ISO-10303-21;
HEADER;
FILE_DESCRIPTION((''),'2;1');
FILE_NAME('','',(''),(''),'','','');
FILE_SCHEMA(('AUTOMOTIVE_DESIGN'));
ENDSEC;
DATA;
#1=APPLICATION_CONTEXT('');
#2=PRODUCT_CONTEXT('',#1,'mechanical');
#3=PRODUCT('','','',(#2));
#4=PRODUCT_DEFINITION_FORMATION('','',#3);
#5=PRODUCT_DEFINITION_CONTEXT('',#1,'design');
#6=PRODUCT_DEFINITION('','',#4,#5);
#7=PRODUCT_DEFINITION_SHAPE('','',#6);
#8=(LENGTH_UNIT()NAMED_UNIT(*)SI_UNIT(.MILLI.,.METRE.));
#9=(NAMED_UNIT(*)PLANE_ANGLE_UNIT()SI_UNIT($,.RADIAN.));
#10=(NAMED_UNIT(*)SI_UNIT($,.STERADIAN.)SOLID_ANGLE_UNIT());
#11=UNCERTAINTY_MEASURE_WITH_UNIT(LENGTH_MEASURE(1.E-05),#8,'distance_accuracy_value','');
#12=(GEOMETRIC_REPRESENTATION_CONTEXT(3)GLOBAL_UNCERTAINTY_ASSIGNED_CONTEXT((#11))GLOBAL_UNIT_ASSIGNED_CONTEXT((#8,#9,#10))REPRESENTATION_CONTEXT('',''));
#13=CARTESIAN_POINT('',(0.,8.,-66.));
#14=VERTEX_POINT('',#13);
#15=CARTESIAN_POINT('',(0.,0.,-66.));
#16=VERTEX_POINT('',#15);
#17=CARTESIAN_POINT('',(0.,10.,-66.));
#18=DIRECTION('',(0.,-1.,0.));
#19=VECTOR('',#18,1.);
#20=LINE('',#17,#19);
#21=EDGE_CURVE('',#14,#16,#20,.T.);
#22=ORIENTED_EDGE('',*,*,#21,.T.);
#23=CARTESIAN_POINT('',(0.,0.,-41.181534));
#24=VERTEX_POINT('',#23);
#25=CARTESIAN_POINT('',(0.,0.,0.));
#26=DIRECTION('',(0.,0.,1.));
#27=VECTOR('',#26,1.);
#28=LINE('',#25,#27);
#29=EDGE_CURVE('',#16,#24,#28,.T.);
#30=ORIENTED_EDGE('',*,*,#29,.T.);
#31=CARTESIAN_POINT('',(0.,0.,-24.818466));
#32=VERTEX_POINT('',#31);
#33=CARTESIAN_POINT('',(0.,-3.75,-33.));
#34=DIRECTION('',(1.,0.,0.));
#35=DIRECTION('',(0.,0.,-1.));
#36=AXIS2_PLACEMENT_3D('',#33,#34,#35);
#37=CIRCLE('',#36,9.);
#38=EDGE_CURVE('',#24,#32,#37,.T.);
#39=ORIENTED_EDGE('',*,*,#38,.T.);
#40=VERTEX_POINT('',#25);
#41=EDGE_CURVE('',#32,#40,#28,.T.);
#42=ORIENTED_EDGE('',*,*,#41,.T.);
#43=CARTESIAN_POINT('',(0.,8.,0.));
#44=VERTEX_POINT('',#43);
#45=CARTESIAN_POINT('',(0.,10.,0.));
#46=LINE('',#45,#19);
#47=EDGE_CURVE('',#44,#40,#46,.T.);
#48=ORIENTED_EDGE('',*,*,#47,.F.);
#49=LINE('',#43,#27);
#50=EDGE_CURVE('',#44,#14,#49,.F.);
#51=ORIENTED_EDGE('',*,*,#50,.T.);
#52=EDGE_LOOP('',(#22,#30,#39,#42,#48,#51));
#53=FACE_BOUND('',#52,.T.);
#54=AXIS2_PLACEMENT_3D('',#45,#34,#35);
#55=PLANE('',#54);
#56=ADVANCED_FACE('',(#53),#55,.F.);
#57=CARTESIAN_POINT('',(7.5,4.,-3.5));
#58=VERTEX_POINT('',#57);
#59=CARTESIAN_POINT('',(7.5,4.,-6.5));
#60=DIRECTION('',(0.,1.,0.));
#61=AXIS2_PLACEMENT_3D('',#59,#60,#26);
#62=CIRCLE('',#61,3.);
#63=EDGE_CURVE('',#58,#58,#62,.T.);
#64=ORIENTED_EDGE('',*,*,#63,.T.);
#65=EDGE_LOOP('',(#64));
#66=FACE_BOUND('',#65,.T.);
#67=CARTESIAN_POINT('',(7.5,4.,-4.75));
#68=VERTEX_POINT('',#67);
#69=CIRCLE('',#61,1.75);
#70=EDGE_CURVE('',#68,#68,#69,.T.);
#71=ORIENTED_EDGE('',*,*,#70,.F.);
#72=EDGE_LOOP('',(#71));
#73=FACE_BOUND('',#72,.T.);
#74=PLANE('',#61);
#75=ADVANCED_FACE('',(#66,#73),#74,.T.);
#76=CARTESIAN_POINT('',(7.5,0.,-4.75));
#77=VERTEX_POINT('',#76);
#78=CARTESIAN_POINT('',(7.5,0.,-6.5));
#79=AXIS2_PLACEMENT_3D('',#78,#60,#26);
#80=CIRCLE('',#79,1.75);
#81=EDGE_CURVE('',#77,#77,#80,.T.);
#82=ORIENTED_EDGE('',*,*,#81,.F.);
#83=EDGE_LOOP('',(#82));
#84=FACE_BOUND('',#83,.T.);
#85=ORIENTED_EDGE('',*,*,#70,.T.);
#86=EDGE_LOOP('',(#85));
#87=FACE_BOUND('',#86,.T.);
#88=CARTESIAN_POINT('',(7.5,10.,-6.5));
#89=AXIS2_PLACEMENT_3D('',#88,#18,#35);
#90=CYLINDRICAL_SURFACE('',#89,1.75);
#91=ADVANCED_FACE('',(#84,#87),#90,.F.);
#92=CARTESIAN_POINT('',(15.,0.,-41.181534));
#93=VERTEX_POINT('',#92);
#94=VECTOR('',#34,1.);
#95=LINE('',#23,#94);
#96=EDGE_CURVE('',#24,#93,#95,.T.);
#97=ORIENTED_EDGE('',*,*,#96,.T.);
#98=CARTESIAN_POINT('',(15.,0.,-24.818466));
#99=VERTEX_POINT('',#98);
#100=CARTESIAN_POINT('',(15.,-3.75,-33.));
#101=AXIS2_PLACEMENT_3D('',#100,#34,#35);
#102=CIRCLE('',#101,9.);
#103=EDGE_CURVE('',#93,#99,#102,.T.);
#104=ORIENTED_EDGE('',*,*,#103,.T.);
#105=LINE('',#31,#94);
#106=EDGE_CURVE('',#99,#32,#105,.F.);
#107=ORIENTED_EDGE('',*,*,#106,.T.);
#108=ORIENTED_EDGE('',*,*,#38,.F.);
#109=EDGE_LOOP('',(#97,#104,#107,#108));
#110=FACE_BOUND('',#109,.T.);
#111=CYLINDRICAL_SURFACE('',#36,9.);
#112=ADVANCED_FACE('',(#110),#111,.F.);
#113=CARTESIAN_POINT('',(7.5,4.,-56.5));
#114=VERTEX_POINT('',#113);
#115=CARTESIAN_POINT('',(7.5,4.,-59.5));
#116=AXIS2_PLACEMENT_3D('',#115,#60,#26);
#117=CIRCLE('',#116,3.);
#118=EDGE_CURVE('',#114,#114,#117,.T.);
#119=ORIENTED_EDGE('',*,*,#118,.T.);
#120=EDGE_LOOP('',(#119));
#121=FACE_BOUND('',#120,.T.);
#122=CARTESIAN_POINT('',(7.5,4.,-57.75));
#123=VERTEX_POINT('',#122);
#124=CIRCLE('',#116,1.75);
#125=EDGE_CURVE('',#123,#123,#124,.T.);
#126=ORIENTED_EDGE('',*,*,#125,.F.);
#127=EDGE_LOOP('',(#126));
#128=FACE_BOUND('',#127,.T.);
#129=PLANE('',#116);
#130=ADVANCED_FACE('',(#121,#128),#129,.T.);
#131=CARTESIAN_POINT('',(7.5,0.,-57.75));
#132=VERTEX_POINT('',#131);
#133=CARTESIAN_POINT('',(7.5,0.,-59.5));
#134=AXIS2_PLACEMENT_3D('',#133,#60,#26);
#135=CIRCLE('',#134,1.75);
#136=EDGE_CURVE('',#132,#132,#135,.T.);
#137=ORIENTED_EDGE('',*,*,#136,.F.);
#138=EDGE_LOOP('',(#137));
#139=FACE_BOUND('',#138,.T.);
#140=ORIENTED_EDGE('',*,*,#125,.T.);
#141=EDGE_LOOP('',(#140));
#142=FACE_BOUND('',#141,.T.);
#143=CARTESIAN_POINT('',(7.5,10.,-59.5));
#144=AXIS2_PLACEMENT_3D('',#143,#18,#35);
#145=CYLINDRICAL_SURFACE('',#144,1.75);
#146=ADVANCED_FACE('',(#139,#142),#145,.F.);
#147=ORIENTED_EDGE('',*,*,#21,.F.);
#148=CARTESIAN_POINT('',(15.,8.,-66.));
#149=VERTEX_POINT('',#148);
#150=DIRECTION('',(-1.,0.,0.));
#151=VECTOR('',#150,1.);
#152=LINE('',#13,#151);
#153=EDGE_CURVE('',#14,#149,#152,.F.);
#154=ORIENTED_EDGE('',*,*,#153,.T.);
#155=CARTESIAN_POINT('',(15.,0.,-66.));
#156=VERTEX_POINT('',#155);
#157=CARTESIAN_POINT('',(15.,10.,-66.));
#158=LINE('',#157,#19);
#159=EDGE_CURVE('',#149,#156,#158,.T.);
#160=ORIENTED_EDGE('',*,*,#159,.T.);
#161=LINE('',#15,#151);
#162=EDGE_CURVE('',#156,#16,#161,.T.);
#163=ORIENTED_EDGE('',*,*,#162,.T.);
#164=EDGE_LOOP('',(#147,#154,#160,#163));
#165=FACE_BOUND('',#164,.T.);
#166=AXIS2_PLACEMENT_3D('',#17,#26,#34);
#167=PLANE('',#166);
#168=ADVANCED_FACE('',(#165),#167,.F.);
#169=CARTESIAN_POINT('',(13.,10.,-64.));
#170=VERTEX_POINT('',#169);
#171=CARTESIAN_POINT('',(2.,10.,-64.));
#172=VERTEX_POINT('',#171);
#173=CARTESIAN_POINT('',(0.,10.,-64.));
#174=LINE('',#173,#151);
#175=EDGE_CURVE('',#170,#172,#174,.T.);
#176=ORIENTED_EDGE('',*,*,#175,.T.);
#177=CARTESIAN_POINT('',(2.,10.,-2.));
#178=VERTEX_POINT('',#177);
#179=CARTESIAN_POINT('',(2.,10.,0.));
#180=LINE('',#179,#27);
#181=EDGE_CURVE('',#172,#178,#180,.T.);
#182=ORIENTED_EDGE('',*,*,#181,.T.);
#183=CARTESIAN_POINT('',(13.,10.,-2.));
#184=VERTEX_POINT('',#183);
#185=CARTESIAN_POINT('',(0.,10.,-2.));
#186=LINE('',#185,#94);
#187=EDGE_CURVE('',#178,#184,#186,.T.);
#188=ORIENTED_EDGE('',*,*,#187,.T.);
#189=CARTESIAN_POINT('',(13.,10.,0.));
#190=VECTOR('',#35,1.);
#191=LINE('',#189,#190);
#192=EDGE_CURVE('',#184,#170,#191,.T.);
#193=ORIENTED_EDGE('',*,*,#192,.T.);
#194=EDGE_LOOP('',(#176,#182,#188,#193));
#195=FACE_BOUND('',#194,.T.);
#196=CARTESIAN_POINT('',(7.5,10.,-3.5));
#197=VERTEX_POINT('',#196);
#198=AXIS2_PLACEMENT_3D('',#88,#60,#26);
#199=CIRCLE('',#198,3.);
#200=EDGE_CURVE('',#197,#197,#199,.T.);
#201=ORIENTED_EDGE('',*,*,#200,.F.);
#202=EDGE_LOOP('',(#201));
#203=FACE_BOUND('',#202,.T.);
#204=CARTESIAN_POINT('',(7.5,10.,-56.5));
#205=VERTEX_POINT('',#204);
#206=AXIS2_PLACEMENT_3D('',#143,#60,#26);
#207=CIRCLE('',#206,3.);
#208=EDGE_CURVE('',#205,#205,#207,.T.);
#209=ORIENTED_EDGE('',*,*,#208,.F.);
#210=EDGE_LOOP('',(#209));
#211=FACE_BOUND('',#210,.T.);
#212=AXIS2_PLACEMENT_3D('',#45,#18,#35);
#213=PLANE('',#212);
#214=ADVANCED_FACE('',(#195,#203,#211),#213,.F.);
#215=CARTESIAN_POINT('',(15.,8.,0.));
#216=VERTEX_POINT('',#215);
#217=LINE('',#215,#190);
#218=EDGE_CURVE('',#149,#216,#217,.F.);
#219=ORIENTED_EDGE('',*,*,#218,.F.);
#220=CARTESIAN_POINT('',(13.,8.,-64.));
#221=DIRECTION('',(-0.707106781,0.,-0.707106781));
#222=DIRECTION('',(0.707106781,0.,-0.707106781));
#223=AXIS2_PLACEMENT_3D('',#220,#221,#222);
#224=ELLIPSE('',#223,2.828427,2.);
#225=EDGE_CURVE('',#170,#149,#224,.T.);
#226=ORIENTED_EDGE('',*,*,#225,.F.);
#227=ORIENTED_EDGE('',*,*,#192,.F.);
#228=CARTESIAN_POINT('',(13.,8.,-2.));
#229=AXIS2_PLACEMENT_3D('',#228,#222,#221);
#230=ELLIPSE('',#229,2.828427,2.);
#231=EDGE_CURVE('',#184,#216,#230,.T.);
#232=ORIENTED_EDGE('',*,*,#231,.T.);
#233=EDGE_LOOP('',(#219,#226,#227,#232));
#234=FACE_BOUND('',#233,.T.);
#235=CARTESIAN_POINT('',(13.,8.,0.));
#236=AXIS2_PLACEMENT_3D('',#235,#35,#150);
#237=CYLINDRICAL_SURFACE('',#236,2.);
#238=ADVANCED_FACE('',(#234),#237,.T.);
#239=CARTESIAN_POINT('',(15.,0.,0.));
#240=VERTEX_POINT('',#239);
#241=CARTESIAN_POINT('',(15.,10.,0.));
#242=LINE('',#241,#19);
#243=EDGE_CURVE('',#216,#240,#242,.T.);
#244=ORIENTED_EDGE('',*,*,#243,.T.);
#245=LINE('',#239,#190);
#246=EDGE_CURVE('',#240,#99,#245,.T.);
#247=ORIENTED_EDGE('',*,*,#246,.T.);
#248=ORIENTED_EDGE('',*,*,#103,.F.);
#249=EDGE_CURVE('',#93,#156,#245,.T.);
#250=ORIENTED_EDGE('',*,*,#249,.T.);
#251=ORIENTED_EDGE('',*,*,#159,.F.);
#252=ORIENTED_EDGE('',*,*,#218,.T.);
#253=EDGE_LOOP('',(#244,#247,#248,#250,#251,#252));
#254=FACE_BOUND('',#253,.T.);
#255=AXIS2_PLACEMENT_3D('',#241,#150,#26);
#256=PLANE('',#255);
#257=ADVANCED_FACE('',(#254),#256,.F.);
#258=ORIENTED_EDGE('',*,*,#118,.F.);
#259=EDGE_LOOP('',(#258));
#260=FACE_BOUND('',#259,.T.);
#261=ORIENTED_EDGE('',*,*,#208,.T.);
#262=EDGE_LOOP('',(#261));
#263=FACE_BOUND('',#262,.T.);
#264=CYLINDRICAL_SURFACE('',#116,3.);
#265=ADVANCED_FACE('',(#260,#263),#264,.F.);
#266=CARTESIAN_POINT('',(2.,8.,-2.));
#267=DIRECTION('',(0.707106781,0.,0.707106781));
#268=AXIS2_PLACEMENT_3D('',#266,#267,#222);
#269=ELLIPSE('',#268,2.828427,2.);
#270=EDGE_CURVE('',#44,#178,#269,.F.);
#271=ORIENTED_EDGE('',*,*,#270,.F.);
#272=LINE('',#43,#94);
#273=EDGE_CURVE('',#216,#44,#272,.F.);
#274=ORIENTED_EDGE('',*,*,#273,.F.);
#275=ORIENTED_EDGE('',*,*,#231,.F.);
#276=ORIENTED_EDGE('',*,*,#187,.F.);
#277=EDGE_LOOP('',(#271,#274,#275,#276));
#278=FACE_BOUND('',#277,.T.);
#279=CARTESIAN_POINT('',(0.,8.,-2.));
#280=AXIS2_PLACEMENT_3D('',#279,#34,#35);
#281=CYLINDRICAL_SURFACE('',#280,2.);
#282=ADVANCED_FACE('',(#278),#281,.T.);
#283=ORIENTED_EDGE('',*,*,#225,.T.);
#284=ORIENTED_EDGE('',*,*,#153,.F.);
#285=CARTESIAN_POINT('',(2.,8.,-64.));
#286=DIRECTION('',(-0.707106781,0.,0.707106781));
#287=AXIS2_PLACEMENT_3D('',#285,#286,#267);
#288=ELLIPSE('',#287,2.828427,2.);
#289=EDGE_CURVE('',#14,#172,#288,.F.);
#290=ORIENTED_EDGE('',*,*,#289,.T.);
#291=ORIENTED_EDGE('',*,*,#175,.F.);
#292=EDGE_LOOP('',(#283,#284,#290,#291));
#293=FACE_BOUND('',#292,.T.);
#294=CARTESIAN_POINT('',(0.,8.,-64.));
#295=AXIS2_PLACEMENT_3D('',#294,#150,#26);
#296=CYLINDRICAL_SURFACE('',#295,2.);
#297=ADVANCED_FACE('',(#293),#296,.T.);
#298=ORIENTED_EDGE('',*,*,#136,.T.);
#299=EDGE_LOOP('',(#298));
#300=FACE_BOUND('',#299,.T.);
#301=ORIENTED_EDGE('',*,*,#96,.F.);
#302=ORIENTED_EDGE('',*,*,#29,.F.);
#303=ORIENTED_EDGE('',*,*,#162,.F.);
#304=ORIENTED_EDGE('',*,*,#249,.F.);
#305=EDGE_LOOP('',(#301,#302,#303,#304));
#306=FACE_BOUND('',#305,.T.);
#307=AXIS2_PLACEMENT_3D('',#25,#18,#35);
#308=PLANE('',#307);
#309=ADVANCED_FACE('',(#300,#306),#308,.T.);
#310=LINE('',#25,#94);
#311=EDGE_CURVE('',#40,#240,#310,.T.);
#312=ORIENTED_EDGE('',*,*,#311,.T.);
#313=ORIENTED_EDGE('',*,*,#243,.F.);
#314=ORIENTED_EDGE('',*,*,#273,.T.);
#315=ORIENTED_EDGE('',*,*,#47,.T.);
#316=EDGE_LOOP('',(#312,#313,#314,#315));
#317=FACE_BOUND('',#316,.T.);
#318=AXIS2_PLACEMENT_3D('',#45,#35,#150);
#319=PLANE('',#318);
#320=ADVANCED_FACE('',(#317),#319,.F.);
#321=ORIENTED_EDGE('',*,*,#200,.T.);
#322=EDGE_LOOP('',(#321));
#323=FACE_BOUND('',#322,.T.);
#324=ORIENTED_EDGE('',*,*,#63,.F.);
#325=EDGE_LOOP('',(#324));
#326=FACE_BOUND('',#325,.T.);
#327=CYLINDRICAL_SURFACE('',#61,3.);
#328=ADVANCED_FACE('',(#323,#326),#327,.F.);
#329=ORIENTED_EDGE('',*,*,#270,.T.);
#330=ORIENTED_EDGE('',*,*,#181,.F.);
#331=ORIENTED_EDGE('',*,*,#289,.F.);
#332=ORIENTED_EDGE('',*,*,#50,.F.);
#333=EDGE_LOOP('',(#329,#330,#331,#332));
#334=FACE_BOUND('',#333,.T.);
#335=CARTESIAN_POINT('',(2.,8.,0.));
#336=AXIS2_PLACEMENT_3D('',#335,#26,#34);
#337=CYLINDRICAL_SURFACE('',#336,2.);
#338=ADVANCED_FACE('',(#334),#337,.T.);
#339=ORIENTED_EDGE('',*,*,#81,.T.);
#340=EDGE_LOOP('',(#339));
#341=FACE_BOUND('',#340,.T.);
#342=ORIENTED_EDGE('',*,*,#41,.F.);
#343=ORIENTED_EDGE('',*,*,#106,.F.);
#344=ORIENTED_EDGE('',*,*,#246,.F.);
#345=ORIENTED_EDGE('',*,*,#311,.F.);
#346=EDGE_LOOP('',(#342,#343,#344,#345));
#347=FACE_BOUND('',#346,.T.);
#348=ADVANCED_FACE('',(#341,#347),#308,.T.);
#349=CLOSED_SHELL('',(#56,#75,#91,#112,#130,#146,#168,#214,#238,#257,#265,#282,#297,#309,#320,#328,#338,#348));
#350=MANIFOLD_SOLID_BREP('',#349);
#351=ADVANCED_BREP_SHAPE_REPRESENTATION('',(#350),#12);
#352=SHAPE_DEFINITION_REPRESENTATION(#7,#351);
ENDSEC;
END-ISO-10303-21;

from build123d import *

# Parameters (mm, degrees)
SKETCH1_W           = 15
SKETCH1_H           = 66
SKETCH1_R           = 1.75
BOSS_EXTRUDE1_DEPTH = 10
SKETCH2_R           = 3
CUT_EXTRUDE1_DEPTH  = 6
FILLET1_R           = 2
SKETCH3_R           = 9
CUT_EXTRUDE2_DEPTH  = 15


with BuildPart() as part:
    # Sketch1 → Boss-Extrude1 (new body)
    with BuildSketch(Plane(origin=(0, 0, 0), x_dir=(1, 0, 0), z_dir=(0, 1, 0))):
        with Locations((7.5, 33)):
            Rectangle(SKETCH1_W, SKETCH1_H)
        with Locations(Location((7.5, 59.5, 0), (0, 0, 270))):
            Circle(SKETCH1_R, mode=Mode.SUBTRACT)
        with Locations(Location((7.5, 6.5, 0), (0, 0, 270))):
            Circle(SKETCH1_R, mode=Mode.SUBTRACT)
    extrude(amount=BOSS_EXTRUDE1_DEPTH)

    # Sketch2 → Cut-Extrude1 (cut)
    with BuildSketch(Plane(origin=(0, 10, 0), x_dir=(1, 0, 0), z_dir=(0, 1, 0))):
        with Locations(Location((7.5, 59.5, 0), (0, 0, 270))):
            Circle(SKETCH2_R)
        with Locations(Location((7.5, 6.5, 0), (0, 0, 270))):
            Circle(SKETCH2_R)
    extrude(amount=-CUT_EXTRUDE1_DEPTH, mode=Mode.SUBTRACT)

    # Fillet1
    fillet1_edges = [part.edges().sort_by_distance(p)[0] for p in [
        (15, 10, -33),
        (7.5, 10, -66),
        (0, 10, -33),
        (7.5, 10, 0),
    ]]
    fillet(fillet1_edges, radius=FILLET1_R)

    # Sketch3 → Cut-Extrude2 (cut)
    with BuildSketch(Plane(origin=(15, 0, 0), x_dir=(0, 0, -1), z_dir=(1, 0, 0))):
        with Locations((33, -3.75)):
            Circle(SKETCH3_R)
    extrude(amount=-CUT_EXTRUDE2_DEPTH, mode=Mode.SUBTRACT)


solid = part.part
